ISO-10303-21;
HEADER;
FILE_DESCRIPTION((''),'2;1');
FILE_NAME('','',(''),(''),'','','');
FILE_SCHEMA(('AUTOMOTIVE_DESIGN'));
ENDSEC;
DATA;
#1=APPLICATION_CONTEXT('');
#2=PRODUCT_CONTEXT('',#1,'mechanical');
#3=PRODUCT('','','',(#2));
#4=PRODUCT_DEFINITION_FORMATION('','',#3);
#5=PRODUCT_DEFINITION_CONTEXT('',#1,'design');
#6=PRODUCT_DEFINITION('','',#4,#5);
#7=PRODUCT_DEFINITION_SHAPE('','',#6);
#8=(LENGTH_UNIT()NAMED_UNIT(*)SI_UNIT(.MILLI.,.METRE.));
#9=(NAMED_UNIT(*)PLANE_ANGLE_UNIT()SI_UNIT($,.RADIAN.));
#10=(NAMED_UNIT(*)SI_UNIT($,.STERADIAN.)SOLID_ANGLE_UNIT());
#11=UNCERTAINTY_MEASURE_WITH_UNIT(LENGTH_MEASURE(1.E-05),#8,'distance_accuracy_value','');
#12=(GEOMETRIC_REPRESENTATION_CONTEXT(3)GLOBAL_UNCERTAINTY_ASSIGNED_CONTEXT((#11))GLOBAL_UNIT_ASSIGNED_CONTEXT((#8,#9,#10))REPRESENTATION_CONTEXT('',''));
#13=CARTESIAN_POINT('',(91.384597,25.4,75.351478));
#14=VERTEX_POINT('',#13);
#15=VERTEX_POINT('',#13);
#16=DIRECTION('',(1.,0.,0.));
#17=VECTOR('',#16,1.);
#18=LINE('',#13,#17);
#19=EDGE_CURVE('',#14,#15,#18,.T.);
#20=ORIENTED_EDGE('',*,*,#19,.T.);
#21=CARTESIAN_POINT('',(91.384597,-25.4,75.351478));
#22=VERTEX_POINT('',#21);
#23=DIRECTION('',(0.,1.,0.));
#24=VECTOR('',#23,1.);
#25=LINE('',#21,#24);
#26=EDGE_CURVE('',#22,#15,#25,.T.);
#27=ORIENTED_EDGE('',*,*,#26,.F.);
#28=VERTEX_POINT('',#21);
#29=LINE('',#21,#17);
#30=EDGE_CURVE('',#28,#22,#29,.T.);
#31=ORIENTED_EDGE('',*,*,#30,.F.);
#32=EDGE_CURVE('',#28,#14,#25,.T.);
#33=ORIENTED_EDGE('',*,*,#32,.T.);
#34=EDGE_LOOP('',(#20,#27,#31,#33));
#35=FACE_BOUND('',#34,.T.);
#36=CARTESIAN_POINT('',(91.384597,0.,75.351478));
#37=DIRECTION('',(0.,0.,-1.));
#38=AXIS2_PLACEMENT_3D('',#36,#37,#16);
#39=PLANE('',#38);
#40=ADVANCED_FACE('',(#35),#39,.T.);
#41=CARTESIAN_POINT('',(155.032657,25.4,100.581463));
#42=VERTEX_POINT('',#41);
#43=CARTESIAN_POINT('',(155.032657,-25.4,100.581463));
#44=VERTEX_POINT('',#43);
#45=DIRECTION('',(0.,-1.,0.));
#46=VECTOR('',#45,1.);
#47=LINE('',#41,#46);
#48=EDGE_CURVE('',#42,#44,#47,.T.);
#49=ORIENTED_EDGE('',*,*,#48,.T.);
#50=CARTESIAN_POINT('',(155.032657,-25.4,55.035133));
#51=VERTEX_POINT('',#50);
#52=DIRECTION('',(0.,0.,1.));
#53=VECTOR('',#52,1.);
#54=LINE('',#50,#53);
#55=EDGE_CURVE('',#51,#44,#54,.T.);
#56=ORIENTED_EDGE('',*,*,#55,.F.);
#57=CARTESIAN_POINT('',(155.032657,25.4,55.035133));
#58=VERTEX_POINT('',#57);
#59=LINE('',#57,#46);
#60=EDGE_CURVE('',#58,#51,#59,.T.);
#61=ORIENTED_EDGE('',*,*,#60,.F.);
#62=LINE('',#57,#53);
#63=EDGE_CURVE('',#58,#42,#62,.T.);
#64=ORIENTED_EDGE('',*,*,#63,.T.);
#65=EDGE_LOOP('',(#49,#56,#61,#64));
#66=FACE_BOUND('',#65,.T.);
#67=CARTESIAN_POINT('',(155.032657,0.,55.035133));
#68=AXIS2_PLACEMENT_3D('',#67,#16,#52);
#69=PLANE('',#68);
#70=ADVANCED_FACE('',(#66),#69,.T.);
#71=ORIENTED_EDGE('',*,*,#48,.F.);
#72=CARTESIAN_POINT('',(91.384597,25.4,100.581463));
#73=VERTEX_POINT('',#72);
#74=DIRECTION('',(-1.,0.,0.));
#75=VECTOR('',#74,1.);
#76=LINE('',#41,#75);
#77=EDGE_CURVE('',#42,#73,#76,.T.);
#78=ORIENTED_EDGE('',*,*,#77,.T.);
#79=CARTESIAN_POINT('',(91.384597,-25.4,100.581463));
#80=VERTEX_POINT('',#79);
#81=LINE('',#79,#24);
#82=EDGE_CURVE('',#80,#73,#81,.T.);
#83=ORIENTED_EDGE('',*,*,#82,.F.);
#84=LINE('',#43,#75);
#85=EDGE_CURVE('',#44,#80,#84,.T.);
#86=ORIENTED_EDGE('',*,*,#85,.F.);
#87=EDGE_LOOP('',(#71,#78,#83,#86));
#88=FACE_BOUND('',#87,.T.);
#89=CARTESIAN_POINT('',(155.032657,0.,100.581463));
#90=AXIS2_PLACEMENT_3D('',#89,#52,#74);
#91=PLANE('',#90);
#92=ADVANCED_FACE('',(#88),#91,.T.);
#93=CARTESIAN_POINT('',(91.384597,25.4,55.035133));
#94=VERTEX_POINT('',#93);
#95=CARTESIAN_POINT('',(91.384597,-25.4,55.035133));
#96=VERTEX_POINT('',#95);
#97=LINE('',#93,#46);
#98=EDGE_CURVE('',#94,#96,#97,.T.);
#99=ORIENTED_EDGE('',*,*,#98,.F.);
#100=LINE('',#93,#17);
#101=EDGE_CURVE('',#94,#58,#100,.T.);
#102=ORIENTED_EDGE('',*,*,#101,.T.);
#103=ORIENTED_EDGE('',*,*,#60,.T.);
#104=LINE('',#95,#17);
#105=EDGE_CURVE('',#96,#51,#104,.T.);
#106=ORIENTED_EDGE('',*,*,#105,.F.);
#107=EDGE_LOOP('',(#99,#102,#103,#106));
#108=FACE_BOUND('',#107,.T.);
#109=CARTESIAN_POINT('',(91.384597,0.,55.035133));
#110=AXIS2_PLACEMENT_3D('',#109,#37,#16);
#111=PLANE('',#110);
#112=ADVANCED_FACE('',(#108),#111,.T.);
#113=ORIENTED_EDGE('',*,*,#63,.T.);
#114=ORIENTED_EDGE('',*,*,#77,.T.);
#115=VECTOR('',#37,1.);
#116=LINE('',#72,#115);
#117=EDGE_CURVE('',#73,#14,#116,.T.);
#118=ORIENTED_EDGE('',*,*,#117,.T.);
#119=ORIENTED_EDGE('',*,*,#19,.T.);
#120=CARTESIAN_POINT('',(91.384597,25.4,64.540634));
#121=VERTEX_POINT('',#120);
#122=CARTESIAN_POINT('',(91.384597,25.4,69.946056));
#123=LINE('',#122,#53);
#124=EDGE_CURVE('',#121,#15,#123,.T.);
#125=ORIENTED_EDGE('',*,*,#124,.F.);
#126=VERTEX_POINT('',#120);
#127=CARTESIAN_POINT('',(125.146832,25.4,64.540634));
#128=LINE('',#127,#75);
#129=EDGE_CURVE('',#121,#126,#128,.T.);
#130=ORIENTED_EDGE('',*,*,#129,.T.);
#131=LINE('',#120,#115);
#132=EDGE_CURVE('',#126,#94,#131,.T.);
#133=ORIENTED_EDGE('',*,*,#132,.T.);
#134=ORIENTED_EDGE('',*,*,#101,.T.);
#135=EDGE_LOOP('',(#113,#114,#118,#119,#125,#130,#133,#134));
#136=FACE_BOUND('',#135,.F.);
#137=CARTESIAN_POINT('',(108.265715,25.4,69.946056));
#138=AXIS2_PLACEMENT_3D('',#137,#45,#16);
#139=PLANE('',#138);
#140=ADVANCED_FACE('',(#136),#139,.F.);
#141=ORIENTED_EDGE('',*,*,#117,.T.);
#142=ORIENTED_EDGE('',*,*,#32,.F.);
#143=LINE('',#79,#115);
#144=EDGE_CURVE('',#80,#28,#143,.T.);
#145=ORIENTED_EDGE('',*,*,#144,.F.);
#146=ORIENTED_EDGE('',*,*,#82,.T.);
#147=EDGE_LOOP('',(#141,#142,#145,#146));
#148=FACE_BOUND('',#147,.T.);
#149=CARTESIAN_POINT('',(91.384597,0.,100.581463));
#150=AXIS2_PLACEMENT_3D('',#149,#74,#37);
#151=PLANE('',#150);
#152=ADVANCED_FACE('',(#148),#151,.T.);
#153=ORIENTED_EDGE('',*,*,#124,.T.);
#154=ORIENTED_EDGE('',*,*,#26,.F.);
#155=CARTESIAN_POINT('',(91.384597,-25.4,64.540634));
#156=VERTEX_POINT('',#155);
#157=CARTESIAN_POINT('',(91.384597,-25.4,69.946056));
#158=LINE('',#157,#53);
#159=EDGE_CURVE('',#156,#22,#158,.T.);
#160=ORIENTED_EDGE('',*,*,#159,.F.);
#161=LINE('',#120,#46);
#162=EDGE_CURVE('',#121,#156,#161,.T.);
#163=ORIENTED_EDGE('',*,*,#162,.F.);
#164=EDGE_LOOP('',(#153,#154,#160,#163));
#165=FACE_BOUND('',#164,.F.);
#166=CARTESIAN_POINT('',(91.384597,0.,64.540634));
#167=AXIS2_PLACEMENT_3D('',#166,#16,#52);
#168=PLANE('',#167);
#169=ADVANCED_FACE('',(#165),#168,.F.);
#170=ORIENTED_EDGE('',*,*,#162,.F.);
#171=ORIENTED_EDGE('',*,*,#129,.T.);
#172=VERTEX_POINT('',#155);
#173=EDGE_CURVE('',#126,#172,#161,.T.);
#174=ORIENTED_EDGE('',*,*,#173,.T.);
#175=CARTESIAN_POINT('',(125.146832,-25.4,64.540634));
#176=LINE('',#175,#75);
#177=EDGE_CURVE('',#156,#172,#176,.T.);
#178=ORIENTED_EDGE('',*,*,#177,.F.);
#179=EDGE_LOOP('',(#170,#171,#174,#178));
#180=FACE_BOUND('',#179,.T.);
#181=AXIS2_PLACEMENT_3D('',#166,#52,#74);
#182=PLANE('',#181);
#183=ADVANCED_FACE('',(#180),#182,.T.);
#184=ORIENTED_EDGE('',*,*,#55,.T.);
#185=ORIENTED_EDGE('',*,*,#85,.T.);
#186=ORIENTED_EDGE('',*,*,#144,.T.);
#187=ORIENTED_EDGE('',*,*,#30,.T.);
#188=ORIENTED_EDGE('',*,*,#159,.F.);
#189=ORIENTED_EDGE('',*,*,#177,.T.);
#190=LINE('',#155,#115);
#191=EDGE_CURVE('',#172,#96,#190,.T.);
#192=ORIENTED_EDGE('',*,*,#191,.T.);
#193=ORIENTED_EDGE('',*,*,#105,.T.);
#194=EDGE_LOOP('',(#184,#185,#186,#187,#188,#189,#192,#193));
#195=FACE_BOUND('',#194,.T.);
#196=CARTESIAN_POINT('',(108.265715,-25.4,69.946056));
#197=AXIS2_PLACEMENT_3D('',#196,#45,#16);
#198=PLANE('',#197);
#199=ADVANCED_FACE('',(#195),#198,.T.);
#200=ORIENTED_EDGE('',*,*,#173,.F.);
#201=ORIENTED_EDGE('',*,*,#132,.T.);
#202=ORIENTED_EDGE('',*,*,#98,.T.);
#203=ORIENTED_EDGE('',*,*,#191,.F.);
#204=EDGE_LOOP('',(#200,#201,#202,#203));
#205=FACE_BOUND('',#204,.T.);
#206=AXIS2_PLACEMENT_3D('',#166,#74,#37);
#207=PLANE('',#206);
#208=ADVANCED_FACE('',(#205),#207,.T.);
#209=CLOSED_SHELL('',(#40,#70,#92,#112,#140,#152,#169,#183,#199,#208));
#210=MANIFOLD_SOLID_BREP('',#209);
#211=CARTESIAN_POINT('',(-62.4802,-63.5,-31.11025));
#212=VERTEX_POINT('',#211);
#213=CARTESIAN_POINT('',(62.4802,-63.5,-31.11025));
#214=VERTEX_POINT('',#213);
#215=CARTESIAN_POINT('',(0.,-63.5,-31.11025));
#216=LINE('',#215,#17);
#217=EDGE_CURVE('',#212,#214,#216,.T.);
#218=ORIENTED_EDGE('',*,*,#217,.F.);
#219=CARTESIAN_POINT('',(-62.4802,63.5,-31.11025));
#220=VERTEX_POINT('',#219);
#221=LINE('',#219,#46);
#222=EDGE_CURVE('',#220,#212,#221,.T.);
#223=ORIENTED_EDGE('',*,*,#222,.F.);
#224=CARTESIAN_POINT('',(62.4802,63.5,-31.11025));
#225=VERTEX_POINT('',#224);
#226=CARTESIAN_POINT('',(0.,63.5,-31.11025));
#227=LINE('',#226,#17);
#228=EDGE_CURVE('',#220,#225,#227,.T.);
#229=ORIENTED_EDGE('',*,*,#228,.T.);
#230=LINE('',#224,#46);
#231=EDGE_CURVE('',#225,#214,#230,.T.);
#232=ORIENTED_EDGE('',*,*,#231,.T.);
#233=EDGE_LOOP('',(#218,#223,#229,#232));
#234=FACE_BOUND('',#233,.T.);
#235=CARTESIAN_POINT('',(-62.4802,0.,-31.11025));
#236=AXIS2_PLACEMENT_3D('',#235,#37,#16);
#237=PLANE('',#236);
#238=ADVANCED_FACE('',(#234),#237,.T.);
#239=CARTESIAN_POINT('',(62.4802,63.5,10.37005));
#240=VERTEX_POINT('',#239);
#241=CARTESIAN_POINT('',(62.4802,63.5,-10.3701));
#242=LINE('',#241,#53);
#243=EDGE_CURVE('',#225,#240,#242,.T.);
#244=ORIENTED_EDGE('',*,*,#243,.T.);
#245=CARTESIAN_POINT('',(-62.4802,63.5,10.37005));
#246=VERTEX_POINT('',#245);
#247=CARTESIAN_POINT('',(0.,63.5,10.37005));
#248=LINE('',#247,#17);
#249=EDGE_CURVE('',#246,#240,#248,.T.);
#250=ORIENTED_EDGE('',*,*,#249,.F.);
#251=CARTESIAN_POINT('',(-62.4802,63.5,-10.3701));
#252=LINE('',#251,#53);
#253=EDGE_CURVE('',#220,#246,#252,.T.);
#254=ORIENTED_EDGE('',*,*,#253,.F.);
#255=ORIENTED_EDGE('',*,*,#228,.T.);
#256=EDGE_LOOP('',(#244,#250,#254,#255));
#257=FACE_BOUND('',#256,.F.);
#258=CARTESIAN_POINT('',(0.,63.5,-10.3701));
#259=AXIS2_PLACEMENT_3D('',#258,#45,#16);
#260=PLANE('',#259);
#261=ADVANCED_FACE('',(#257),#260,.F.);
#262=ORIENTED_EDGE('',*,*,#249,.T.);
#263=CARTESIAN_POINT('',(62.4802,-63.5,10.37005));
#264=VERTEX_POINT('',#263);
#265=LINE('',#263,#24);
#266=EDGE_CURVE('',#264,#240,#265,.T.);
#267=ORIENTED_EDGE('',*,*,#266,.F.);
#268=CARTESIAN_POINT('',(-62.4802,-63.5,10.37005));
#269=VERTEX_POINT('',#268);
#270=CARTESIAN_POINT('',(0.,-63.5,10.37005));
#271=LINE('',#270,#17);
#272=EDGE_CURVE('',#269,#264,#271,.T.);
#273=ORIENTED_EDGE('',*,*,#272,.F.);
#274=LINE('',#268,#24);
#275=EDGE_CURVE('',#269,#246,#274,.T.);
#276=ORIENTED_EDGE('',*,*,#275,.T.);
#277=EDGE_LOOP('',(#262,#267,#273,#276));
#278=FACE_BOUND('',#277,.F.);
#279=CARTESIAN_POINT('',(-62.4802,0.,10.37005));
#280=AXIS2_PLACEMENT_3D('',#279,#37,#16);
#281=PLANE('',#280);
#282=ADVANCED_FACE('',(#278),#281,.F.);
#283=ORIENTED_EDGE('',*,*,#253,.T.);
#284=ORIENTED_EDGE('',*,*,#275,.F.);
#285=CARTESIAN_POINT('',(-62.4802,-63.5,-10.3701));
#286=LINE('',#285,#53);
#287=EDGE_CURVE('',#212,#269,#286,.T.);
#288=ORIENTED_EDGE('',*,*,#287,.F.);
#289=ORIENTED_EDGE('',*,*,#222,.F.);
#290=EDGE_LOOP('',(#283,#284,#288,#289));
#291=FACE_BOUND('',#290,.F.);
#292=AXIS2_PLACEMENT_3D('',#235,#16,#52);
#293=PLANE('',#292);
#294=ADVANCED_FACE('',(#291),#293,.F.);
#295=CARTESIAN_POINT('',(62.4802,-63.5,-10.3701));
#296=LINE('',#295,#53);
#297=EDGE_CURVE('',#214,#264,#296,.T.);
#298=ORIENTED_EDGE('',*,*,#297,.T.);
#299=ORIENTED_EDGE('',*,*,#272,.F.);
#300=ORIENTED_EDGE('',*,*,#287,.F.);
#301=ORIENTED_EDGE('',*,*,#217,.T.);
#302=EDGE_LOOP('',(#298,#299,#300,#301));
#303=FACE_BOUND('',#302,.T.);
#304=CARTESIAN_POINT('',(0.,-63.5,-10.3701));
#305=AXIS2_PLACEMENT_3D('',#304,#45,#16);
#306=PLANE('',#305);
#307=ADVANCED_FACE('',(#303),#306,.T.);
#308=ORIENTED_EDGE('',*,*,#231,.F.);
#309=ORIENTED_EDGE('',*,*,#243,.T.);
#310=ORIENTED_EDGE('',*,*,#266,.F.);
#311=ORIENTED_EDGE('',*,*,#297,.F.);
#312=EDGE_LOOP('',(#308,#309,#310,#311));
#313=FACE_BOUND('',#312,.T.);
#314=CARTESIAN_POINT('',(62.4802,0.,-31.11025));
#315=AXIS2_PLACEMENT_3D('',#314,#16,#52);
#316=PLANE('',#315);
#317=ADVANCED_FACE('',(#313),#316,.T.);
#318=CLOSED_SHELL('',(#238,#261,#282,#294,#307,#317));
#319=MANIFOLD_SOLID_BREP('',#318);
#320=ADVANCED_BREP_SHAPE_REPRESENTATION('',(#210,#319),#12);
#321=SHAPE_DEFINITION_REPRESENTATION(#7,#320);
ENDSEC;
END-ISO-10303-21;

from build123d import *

# Parameters (mm, degrees)
F0_W     = 124.9604
F0_H     = 41.480301
F1_DEPTH = 63.5
F0_W_2   = 33.762235
F0_H_2   = 10.810844
F2_DEPTH = 25.4


with BuildPart() as f1:
    # F0 (on Front) → F1 (new body, symmetric)
    with BuildSketch(Plane.XZ):
        with Locations((0, -10.3701)):
            Rectangle(F0_W, F0_H)
    extrude(amount=F1_DEPTH, both=True)

    # F0 (on Front) → F2 (join, symmetric)
    with BuildSketch(Plane.XZ):
        with Locations((0, -10.3701)):
            Rectangle(F0_W, F0_H)
        with Locations((108.265715, 69.946056)):
            Rectangle(F0_W_2, F0_H_2)
        Polygon((125.146832, 64.540634), (91.384597, 64.540634), (91.384597, 55.035133), (155.032657, 55.035133), (155.032657, 100.581463), (91.384597, 100.581463), (91.384597, 75.351478), (125.146832, 75.351478), align=None)
    extrude(amount=F2_DEPTH, both=True)


solid = f1.part
